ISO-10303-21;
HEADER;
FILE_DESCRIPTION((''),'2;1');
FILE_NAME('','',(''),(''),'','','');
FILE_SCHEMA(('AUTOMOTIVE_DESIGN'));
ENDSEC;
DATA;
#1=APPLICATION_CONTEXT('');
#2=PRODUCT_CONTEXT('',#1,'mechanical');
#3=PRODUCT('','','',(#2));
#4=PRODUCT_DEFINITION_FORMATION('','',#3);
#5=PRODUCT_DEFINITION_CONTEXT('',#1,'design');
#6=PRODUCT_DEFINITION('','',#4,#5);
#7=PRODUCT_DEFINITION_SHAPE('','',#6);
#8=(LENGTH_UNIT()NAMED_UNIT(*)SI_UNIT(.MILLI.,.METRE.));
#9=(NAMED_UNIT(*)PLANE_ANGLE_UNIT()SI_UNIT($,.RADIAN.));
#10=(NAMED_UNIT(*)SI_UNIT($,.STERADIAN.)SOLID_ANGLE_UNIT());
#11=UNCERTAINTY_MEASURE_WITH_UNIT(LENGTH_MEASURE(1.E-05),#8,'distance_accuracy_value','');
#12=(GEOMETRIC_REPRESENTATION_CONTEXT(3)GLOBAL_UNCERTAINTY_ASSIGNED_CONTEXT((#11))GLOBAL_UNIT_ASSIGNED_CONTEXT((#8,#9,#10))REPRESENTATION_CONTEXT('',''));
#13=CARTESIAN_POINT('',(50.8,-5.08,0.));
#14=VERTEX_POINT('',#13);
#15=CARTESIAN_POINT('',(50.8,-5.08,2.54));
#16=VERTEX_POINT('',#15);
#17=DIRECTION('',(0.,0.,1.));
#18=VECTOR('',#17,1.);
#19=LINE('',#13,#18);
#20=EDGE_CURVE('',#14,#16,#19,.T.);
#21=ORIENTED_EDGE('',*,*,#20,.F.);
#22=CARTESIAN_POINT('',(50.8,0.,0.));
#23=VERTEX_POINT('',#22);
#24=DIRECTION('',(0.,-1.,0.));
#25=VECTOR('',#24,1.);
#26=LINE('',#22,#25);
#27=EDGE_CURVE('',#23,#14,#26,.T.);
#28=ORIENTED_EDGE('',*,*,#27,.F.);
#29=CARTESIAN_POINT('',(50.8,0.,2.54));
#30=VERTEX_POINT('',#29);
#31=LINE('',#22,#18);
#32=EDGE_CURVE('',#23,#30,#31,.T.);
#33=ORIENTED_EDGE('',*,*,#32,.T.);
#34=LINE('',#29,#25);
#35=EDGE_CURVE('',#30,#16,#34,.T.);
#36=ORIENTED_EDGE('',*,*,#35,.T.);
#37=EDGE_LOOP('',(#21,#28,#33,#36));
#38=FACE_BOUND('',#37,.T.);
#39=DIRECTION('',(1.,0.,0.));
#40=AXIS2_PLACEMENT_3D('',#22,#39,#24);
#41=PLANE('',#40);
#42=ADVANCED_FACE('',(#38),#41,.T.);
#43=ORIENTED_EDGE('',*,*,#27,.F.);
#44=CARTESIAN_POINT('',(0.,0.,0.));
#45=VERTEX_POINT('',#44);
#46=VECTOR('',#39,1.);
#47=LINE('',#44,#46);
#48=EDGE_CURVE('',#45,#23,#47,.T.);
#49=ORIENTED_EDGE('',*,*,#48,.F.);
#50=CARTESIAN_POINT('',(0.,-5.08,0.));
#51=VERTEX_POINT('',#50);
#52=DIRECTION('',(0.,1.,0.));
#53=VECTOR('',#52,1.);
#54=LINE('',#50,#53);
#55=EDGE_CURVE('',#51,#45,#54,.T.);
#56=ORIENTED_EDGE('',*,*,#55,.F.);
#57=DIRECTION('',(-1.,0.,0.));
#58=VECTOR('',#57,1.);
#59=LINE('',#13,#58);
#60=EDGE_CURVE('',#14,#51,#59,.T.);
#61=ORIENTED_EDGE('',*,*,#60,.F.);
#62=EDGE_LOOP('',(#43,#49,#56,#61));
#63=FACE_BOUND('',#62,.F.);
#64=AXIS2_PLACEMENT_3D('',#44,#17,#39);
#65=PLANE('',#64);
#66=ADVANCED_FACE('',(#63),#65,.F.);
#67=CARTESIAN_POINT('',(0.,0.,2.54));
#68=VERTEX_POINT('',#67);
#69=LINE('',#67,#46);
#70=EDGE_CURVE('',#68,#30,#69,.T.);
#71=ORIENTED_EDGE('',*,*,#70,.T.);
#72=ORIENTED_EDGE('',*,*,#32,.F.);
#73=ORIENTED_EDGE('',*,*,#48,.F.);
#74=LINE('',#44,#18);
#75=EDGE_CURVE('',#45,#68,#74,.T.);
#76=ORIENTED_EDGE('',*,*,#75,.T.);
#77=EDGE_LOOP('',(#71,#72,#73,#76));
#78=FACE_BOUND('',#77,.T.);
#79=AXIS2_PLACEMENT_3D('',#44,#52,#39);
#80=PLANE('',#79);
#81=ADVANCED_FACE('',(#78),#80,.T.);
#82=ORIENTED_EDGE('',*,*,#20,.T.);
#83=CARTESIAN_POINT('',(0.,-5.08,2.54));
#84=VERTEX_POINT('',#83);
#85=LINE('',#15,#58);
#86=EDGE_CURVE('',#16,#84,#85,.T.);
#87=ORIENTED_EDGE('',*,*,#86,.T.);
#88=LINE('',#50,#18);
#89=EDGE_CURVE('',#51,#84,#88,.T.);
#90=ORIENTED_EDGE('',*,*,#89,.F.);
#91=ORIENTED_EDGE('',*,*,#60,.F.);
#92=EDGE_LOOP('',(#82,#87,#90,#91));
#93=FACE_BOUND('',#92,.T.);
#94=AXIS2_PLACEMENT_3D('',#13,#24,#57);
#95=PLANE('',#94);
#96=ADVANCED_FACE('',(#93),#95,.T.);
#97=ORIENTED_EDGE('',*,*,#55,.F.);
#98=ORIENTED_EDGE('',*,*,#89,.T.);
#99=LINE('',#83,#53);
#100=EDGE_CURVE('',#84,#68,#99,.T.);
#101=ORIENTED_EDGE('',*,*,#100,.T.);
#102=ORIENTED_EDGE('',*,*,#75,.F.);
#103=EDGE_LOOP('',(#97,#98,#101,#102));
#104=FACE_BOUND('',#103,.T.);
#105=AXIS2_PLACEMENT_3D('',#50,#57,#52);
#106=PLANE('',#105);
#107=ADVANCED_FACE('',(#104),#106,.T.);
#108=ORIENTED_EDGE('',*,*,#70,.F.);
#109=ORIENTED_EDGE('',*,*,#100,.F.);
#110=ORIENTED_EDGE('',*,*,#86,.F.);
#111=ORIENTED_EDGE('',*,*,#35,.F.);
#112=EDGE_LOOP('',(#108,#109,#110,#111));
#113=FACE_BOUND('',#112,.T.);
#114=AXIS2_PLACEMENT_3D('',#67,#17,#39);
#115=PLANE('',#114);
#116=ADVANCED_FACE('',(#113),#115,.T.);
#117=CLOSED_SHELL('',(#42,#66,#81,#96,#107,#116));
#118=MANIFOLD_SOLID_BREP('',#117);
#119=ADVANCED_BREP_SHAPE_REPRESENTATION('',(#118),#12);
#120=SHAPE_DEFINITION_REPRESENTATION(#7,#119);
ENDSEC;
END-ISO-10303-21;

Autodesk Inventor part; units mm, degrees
ref_plane "YZ Plane" through (0, 0, 0) normal (1, 0, 0) x (0, 1, 0)
ref_plane "XZ Plane" through (0, 0, 0) normal (0, 1, 0) x (-1, 0, 0)
ref_plane "XY Plane" through (0, 0, 0) normal (0, 0, 1) x (1, 0, 0)
sketch "Sketch1" plane through (0, 0, 0) normal (0, 0, 1) x (1, 0, 0)
  line L0 (0, 0) -> (50.8, 0)
  line L1 (50.8, 0) -> (50.8, -5.08)
  line L2 (50.8, -5.08) -> (0, -5.08)
  line L3 (0, -5.08) -> (0, 0)
  dimension "d0" = 50.8
  dimension "d1" = 5.08
extrude "Extrusion1" add sketch "Sketch1" along normal blind 2.54
properties part number "PiGPIOBase" material "ABS Plastic"
